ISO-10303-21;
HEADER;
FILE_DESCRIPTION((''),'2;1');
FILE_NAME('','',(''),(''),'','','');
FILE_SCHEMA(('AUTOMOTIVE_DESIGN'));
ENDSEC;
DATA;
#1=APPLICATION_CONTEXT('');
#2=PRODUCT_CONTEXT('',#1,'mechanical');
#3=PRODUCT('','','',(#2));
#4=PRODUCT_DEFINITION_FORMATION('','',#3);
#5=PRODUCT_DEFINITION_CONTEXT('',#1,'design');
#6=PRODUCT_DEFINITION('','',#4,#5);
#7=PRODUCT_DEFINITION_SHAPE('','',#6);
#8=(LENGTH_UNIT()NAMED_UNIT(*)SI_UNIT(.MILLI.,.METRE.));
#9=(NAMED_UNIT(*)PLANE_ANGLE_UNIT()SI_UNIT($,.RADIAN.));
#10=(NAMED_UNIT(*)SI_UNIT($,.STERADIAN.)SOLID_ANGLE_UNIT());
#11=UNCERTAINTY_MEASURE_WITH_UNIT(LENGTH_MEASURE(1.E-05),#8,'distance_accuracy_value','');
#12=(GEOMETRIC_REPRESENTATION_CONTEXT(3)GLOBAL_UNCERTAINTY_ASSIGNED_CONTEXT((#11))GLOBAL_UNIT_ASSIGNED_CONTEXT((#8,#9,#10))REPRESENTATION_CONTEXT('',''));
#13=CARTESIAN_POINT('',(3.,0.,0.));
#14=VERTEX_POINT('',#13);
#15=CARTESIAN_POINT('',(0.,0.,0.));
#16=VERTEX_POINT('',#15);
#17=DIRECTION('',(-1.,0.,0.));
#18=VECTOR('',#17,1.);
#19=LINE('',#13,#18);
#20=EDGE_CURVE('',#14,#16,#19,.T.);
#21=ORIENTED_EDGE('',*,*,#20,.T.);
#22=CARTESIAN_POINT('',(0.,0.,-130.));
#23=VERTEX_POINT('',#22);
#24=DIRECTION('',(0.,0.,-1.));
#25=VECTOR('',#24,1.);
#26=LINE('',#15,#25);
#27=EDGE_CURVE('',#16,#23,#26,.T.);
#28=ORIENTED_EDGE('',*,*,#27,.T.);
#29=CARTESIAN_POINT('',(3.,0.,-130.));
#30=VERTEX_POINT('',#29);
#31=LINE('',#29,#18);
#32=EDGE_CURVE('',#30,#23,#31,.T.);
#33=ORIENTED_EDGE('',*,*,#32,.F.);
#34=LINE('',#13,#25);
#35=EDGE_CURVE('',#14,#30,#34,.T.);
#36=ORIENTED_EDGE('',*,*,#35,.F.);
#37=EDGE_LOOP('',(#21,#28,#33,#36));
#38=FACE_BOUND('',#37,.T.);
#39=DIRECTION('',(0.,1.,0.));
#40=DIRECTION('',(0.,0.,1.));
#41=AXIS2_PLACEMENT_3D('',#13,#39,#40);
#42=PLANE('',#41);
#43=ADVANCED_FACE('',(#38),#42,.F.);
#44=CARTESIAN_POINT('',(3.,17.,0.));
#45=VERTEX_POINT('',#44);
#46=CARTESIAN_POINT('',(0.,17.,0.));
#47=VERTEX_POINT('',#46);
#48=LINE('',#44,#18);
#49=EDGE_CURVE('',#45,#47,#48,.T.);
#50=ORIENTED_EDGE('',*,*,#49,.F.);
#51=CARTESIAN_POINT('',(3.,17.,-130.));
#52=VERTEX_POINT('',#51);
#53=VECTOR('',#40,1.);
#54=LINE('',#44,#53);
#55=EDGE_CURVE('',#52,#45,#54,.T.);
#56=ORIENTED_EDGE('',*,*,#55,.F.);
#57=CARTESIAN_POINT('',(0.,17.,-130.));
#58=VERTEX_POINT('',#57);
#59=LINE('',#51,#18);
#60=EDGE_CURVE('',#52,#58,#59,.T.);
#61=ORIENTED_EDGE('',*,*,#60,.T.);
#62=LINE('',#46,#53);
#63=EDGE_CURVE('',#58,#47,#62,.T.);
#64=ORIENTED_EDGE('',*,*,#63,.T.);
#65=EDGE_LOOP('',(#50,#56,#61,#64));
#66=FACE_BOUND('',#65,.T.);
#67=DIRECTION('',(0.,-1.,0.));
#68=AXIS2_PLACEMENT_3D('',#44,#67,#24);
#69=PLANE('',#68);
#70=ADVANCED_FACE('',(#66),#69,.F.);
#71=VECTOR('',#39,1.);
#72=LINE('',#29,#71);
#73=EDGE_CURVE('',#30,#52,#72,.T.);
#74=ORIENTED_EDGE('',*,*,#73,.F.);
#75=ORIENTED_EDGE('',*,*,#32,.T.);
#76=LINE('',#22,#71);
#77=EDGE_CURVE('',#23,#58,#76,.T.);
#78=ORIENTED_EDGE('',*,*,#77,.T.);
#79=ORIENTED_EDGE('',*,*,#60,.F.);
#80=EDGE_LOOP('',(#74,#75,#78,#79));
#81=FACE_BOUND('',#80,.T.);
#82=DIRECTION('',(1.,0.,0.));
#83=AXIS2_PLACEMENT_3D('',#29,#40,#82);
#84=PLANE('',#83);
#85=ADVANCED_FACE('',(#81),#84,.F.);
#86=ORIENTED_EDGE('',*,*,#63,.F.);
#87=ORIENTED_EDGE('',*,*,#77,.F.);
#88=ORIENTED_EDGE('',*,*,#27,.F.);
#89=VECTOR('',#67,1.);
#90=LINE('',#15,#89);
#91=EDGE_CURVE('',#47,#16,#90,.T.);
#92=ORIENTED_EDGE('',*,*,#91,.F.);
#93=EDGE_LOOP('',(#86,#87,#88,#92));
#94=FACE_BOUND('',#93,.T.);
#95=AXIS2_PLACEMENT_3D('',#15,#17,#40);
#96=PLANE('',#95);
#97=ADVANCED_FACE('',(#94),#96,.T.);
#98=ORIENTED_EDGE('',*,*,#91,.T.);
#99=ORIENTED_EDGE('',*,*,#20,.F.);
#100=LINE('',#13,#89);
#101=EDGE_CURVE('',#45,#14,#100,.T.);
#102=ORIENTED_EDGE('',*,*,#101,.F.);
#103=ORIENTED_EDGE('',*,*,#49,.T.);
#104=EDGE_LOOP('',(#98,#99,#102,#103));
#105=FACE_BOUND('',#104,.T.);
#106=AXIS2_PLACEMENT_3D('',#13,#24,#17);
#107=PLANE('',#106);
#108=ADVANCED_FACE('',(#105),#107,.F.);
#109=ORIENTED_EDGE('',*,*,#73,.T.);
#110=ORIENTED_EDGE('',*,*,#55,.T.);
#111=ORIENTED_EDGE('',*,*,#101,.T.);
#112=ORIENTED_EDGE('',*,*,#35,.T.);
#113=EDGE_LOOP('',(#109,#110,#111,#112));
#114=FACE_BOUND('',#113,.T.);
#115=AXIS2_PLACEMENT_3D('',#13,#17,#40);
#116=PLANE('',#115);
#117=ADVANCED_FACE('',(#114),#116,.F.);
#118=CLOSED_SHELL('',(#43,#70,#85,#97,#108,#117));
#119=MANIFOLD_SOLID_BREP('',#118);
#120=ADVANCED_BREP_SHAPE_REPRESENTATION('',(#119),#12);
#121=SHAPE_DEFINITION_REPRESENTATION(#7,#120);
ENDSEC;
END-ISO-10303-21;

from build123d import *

# Parameters (mm, degrees)
SKETCH1_W           = 130
SKETCH1_H           = 17
BOSS_EXTRUDE1_DEPTH = 3


with BuildPart() as part:
    # Sketch1 → Boss-Extrude1 (new body)
    with BuildSketch(Plane(origin=(0, 0, 0), x_dir=(0, 0, -1), z_dir=(1, 0, 0))):
        with Locations((65, 8.5)):
            Rectangle(SKETCH1_W, SKETCH1_H)
    extrude(amount=BOSS_EXTRUDE1_DEPTH)


solid = part.part
